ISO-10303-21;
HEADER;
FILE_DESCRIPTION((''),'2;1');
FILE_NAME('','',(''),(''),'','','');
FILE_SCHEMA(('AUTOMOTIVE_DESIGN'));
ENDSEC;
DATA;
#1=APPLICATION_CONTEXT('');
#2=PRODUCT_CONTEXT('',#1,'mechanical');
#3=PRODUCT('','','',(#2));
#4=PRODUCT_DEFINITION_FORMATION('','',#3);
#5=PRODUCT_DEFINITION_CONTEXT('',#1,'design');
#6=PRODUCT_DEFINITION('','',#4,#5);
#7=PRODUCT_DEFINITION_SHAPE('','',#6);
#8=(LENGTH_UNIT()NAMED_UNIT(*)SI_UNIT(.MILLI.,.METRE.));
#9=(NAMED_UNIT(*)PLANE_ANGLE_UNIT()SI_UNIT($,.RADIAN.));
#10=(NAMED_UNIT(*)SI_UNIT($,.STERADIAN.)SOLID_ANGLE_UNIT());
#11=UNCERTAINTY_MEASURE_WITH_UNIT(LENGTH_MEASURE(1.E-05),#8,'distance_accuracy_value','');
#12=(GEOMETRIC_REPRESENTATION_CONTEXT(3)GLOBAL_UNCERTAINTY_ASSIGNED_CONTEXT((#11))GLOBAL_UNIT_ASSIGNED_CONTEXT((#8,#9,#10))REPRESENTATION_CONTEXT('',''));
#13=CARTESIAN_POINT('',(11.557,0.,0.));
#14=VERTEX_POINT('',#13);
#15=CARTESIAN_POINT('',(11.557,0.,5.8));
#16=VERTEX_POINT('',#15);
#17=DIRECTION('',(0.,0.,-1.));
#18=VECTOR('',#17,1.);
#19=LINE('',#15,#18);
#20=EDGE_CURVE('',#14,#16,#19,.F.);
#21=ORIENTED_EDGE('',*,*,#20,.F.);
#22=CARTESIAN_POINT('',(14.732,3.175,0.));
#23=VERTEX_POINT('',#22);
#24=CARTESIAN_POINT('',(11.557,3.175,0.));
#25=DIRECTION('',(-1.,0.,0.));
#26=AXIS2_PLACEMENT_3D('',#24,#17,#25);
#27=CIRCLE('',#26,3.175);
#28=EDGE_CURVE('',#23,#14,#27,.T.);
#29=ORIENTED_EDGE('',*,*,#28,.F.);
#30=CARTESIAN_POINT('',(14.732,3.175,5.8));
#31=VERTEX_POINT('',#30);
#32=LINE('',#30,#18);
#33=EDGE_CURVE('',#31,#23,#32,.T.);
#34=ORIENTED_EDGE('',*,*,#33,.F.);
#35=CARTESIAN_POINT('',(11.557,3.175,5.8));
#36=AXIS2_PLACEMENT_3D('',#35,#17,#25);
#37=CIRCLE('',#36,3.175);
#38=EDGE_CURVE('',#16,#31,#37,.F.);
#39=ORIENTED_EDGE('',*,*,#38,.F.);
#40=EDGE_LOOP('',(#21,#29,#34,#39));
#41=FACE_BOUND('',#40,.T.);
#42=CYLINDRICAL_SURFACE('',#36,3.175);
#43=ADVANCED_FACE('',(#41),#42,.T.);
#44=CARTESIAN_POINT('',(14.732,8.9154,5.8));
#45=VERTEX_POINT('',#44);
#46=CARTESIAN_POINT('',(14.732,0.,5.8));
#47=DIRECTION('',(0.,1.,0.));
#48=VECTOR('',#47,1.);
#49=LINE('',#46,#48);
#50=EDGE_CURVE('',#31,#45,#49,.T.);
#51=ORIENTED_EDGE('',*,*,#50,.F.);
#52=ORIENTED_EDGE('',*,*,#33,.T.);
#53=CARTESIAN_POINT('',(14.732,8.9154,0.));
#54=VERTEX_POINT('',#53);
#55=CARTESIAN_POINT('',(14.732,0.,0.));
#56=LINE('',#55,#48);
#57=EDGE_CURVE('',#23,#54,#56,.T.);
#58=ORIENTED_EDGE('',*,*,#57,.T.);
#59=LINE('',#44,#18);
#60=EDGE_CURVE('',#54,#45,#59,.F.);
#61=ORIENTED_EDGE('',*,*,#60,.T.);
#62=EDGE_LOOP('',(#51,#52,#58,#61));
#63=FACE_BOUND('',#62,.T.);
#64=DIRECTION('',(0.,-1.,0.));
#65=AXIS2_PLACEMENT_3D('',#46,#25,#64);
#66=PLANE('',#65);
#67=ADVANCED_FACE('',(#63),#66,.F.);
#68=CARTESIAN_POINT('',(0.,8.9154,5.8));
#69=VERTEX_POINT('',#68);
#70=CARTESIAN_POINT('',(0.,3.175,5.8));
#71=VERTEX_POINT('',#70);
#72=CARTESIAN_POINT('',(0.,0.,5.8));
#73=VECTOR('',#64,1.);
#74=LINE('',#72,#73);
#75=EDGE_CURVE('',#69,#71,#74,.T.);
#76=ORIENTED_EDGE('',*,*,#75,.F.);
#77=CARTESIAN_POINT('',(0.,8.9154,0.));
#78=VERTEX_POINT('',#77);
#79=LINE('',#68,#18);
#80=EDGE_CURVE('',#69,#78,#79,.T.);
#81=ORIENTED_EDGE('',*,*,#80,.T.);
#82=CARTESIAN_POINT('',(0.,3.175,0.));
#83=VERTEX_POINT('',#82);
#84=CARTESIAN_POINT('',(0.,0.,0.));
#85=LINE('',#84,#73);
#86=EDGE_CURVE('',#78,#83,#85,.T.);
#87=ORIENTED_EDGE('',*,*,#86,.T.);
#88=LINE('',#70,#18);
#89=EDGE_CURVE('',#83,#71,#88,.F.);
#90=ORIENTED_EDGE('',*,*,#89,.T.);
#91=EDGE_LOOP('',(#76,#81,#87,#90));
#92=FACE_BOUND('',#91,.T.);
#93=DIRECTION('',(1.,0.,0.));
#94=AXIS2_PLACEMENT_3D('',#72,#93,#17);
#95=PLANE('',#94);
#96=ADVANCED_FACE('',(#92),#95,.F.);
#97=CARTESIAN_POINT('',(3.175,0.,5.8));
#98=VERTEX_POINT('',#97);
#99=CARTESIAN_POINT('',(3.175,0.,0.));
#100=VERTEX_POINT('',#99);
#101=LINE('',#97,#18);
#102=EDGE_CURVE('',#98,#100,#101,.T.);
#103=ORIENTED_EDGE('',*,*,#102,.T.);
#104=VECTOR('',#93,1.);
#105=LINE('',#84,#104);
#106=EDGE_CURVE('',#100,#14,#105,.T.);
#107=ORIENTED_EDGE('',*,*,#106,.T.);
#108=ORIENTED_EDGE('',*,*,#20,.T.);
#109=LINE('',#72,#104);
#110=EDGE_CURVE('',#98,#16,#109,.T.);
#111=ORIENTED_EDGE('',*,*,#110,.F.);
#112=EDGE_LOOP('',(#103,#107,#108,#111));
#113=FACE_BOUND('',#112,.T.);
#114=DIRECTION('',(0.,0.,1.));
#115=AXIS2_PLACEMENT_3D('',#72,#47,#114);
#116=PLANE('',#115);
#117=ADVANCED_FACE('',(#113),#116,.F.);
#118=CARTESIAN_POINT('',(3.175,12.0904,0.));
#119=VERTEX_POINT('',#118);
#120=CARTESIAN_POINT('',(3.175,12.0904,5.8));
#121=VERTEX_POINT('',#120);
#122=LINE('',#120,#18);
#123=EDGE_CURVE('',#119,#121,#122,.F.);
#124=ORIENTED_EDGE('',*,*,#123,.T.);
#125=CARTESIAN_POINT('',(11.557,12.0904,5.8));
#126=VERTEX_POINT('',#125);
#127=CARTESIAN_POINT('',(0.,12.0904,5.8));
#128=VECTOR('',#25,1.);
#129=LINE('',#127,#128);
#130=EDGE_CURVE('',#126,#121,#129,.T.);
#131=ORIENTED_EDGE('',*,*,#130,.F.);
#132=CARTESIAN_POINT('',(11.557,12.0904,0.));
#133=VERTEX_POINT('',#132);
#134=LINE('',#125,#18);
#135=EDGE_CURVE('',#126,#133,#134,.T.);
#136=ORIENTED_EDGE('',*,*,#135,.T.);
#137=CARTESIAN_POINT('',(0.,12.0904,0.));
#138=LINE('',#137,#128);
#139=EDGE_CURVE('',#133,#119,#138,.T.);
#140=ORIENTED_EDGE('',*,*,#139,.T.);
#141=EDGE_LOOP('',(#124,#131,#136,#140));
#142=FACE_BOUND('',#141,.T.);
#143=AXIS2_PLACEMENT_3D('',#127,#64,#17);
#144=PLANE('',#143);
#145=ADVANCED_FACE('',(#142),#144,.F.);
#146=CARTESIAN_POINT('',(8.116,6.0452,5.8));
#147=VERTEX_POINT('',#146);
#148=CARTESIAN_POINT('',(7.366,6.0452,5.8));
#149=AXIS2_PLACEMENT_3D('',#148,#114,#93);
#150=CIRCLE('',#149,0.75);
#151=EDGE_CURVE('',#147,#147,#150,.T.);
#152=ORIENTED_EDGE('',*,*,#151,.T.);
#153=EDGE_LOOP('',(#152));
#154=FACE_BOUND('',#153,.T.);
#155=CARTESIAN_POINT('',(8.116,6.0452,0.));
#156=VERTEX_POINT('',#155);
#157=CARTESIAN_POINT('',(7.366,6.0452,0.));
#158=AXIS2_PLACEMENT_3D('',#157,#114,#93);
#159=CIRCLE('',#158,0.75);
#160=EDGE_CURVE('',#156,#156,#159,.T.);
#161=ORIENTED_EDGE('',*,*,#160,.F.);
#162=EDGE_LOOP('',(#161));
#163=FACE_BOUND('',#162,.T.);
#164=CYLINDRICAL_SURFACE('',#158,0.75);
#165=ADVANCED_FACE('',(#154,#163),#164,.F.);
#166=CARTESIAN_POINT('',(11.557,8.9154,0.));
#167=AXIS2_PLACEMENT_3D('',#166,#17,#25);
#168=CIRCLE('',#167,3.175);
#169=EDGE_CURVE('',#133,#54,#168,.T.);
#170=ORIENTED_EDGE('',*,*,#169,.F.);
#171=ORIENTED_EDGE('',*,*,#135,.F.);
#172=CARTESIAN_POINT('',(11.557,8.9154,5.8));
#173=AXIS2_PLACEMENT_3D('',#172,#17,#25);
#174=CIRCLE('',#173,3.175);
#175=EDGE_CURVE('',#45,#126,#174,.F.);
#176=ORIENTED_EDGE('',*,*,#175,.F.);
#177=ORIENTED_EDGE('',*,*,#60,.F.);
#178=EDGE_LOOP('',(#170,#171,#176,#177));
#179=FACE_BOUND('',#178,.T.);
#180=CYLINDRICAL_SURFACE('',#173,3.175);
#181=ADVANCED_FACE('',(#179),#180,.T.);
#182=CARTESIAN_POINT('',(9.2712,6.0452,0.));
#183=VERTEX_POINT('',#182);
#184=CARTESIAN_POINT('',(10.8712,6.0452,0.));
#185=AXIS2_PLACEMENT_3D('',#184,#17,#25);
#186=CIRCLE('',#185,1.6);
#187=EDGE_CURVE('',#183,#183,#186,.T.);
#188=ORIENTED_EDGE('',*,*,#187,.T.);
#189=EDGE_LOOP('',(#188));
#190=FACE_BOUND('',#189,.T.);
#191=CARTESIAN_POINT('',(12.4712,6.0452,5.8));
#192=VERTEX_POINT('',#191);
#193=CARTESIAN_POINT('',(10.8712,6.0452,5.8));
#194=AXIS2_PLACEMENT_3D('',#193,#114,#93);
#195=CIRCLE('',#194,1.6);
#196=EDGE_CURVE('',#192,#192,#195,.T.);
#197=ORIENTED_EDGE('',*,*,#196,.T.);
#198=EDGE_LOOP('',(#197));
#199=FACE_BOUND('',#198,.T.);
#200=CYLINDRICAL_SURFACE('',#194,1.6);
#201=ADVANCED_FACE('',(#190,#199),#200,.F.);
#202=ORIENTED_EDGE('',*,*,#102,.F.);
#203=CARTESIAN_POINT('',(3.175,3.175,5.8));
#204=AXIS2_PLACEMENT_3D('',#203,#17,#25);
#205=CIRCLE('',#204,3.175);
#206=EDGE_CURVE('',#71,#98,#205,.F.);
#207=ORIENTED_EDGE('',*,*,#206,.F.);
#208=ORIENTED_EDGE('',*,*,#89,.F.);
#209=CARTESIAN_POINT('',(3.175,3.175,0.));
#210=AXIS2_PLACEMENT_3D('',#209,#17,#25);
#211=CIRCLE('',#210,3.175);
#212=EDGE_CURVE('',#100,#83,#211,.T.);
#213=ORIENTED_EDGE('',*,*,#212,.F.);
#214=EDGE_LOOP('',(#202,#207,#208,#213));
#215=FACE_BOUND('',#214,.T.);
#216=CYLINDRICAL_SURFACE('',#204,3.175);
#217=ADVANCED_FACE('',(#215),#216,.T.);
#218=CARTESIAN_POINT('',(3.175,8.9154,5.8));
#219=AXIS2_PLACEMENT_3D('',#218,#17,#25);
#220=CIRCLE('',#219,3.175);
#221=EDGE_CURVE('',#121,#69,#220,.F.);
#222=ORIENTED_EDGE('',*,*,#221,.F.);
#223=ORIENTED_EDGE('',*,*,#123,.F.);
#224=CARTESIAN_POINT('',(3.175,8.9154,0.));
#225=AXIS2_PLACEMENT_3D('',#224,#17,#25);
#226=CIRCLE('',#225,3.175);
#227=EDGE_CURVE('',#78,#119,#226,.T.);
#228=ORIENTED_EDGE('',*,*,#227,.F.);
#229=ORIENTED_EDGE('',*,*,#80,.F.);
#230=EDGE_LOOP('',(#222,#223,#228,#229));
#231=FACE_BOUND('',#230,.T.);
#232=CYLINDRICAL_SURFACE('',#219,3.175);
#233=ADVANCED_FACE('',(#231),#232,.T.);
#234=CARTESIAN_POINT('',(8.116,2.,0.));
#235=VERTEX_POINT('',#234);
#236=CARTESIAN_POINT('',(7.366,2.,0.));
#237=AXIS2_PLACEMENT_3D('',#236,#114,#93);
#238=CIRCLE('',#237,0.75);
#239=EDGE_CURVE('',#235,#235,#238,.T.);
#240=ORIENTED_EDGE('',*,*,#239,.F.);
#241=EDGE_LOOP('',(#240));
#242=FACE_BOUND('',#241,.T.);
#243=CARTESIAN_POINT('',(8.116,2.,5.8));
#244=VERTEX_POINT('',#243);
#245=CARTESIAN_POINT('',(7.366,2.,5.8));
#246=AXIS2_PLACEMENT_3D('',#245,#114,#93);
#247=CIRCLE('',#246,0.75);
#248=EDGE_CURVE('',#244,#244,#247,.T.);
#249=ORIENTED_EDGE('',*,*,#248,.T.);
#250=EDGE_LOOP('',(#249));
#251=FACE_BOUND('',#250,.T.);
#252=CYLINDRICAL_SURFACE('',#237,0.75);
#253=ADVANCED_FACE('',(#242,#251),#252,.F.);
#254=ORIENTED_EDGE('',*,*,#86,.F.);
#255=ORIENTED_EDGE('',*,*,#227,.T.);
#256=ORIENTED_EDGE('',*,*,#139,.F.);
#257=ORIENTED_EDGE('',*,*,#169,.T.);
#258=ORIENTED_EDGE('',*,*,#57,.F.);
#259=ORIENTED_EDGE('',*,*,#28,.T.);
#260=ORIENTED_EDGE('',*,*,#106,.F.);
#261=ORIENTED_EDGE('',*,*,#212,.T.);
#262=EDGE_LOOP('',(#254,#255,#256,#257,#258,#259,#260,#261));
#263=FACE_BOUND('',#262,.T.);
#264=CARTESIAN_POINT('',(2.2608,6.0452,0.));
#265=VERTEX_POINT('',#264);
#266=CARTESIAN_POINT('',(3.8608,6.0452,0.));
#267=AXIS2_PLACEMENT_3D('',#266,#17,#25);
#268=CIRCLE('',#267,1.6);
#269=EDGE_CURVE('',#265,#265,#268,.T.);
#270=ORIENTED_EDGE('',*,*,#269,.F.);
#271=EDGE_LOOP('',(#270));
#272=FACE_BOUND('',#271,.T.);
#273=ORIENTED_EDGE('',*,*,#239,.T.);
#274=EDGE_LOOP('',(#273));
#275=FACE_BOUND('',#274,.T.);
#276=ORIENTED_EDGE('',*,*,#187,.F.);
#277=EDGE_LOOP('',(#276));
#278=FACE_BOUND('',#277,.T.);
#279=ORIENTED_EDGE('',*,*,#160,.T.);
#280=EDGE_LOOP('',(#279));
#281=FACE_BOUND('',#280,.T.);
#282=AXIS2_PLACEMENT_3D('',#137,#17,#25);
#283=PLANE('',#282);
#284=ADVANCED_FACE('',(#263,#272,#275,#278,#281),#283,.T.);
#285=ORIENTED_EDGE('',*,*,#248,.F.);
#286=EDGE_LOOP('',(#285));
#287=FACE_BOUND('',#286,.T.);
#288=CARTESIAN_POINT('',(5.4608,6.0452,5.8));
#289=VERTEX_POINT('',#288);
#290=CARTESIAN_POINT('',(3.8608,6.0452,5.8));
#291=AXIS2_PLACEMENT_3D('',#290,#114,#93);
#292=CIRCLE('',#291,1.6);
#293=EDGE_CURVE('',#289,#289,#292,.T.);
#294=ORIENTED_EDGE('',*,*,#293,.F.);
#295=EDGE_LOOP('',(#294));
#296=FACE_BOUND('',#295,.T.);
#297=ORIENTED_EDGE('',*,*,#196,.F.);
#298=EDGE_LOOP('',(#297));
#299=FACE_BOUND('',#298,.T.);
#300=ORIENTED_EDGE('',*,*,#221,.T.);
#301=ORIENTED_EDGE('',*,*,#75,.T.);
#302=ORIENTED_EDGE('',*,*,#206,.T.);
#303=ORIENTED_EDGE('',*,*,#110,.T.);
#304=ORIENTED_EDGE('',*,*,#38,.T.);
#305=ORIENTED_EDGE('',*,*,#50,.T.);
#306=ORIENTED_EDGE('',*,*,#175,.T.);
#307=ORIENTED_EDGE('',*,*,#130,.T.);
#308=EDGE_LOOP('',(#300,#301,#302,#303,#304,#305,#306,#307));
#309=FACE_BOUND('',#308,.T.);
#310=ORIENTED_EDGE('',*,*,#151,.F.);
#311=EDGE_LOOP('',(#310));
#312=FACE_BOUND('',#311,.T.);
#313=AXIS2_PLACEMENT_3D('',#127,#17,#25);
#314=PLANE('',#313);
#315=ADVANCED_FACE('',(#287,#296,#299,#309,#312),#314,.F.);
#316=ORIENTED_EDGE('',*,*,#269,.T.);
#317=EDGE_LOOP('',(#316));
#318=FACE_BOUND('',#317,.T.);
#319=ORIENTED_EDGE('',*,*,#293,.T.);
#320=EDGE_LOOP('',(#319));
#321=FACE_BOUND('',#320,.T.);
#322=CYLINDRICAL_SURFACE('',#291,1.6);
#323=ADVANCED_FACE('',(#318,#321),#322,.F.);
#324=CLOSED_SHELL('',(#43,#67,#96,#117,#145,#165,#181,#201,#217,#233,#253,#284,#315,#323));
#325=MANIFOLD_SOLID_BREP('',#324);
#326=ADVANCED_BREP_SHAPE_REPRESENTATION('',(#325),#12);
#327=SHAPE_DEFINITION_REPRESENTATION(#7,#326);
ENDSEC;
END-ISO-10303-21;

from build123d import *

# Parameters (mm, degrees)
SKETCH1_W                = 14.732
SKETCH1_H                = 12.0904
BOSS_EXTRUDE1_DEPTH      = 5.8
SKETCH2_R                = 0.75
CUT_EXTRUDE1_DEPTH       = 5.8
M3_CLEARANCE_HOLE1_D     = 3.2
M3_CLEARANCE_HOLE1_DEPTH = 36.28
M3_CLEARANCE_HOLE1_TIP   = 0.96137699
FILLET1_R                = 3.175


with BuildPart() as part:
    # Sketch1 → Boss-Extrude1 (new body)
    with BuildSketch(Plane.XY):
        with Locations((7.366, 6.0452)):
            Rectangle(SKETCH1_W, SKETCH1_H)
    extrude(amount=BOSS_EXTRUDE1_DEPTH)

    # Sketch2 → Cut-Extrude1 (cut)
    with BuildSketch(Plane.XY.offset(5.8)):
        with Locations((7.366, 6.0452)):
            Circle(SKETCH2_R)
        with Locations((7.366, 2)):
            Circle(SKETCH2_R)
    extrude(amount=-CUT_EXTRUDE1_DEPTH, mode=Mode.SUBTRACT)

    # M3 Clearance Hole1
    with Locations(Plane.XY.offset(5.8)):
        with Locations((3.8608, 6.0452), (10.8712, 6.0452)):
            Hole(M3_CLEARANCE_HOLE1_D / 2, depth=M3_CLEARANCE_HOLE1_DEPTH)
            with Locations((0, 0, -(M3_CLEARANCE_HOLE1_DEPTH + M3_CLEARANCE_HOLE1_TIP / 2))):  # 118° drill point
                Cone(0, M3_CLEARANCE_HOLE1_D / 2, M3_CLEARANCE_HOLE1_TIP, mode=Mode.SUBTRACT)

    # Fillet1
    fillet1_edges = [part.edges().sort_by_distance(p)[0] for p in [
        (0, 12.0904, 2.9),
        (14.732, 12.0904, 2.9),
        (14.732, 0, 2.9),
        (0, 0, 2.9),
    ]]
    fillet(fillet1_edges, radius=FILLET1_R)


solid = part.part
